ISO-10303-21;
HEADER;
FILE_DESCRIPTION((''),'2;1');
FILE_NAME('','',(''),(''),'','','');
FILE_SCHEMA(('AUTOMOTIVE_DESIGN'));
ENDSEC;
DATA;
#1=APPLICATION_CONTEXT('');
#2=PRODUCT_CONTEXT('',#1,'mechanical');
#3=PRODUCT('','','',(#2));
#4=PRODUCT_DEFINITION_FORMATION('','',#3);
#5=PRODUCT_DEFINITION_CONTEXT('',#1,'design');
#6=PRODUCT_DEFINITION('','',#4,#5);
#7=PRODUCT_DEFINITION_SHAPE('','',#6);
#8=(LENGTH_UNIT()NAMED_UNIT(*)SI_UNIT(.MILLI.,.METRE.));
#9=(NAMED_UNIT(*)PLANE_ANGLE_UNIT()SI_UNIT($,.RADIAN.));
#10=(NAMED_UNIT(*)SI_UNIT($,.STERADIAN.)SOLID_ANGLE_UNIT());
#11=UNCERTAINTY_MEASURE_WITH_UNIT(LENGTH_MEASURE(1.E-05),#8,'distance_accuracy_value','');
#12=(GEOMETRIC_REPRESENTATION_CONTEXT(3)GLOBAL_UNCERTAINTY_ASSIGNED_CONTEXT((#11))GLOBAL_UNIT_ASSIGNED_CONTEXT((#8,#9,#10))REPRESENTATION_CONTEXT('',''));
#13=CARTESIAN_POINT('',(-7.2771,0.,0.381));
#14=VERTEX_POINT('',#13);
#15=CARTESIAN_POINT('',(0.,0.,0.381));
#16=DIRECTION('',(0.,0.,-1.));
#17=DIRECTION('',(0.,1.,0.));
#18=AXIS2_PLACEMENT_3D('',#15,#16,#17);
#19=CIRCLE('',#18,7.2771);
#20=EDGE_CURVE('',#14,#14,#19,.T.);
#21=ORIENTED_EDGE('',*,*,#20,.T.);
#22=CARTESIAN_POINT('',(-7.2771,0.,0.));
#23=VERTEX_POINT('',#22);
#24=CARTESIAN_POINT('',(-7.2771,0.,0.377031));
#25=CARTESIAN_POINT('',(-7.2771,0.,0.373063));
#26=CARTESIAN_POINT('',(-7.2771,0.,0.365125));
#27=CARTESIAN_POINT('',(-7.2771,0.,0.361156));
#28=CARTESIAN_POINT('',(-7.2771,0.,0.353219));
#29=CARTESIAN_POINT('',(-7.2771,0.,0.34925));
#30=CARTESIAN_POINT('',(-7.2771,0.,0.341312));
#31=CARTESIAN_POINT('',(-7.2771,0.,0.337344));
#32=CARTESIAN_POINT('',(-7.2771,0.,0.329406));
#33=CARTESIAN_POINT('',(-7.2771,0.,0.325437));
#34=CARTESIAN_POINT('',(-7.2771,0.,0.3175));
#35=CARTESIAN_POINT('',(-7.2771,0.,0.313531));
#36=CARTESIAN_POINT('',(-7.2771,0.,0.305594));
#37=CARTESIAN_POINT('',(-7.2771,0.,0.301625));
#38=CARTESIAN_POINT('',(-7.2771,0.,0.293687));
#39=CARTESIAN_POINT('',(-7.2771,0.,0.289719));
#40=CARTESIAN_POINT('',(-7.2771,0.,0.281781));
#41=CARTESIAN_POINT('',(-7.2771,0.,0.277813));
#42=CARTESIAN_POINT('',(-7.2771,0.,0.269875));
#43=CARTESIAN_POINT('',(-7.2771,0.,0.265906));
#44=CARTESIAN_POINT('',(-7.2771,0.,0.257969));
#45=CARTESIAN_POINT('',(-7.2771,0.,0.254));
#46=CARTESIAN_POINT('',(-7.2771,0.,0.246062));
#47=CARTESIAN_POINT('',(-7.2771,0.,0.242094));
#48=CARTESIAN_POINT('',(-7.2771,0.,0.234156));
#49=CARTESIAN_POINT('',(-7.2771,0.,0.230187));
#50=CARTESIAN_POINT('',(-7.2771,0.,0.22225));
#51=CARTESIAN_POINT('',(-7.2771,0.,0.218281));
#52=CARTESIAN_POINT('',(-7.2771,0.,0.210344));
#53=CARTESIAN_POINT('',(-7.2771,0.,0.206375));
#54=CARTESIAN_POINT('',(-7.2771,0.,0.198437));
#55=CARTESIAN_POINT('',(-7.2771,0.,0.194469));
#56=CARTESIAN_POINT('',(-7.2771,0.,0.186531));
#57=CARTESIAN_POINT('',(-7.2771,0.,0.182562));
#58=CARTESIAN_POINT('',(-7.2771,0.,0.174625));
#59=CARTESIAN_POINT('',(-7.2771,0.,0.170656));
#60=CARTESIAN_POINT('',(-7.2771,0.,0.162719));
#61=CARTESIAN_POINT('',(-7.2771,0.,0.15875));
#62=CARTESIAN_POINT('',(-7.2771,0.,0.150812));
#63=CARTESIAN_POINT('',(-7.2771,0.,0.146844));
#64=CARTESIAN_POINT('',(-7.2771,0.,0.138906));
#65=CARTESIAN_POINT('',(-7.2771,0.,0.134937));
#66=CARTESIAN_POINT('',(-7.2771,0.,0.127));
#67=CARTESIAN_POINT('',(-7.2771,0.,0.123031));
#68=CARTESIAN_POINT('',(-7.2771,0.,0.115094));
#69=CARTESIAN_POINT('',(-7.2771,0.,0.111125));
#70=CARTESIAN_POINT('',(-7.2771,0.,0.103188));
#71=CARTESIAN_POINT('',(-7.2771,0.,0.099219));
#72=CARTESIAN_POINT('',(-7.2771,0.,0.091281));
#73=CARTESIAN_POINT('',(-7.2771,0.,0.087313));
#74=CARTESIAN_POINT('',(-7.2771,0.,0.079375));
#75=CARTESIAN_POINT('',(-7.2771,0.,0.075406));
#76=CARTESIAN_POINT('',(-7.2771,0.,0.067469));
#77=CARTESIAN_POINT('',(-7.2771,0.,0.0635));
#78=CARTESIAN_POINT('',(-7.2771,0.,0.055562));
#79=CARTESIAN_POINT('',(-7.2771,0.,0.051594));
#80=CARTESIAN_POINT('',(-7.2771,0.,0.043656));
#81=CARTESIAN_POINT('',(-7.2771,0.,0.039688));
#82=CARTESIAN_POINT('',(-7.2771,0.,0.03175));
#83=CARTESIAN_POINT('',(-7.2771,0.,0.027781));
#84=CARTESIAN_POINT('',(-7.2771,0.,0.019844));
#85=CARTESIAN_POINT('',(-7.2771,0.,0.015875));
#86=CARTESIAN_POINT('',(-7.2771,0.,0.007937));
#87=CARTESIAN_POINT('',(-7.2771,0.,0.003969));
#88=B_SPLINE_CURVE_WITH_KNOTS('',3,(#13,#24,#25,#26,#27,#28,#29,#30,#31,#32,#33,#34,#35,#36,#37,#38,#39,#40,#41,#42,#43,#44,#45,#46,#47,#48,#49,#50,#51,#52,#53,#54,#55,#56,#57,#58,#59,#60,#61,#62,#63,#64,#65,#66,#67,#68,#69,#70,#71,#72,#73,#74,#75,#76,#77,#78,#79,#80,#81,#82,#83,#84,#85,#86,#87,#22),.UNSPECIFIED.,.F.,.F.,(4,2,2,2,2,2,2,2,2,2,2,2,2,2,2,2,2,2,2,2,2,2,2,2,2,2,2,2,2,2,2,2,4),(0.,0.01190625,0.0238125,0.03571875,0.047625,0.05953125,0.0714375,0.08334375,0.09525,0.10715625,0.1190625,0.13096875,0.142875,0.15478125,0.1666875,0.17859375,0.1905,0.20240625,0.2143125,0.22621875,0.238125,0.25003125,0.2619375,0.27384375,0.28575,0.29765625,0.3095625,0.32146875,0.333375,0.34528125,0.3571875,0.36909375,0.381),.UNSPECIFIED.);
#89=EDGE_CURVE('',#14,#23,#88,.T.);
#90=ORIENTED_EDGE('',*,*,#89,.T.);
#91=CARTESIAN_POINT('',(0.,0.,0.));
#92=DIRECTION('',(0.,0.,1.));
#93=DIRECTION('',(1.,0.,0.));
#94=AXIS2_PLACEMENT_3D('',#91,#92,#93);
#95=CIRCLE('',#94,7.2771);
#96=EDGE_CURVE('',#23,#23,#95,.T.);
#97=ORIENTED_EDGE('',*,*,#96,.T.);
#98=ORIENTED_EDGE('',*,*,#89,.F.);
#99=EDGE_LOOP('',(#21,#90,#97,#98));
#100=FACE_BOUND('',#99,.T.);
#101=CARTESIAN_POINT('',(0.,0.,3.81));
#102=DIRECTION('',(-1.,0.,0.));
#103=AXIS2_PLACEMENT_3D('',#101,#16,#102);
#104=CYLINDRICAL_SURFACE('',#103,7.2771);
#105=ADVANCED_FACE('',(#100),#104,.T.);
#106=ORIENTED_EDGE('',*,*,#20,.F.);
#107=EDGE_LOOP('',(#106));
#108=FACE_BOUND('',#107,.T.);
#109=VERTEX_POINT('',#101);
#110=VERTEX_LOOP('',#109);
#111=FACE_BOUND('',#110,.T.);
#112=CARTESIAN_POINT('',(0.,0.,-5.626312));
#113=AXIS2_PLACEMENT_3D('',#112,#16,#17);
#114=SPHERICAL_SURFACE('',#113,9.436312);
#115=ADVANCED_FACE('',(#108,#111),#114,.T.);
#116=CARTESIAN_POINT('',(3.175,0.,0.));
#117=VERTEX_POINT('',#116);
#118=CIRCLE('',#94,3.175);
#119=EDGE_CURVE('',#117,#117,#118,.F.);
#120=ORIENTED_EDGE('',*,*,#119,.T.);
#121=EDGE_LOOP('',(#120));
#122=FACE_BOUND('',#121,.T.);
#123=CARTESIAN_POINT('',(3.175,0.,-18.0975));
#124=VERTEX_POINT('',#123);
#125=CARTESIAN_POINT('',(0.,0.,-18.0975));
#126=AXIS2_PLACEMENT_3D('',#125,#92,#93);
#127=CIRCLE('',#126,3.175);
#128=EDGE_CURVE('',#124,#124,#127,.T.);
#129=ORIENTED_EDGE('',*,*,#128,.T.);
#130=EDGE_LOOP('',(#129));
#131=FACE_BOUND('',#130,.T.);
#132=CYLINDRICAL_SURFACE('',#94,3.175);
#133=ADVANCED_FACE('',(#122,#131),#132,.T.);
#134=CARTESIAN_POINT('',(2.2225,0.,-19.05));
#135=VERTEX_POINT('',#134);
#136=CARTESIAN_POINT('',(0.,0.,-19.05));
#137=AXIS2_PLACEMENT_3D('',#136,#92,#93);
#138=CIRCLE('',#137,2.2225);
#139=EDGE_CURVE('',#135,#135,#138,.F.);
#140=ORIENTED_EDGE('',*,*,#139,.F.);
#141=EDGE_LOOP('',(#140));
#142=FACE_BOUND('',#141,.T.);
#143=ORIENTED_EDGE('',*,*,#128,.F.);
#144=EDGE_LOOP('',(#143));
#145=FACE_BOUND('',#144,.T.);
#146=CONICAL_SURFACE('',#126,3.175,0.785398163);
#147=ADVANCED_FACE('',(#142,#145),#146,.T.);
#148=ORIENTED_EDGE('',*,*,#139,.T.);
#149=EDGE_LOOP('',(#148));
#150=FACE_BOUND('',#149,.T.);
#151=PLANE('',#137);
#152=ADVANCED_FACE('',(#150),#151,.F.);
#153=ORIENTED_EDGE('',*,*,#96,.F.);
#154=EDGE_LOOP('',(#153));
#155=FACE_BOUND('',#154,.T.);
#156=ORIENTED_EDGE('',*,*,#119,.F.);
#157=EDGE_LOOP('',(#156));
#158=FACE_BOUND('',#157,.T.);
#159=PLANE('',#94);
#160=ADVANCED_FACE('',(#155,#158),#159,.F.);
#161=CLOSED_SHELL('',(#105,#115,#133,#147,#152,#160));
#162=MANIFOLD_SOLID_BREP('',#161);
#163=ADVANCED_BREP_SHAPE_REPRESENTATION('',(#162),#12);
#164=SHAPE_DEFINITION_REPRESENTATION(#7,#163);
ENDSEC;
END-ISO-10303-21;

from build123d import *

# Parameters (mm, degrees)
SKETCH1_R            = 7.2771
EXTRUDE3_DEPTH       = 3.81
SKETCH4_W            = 19.05
SKETCH4_H            = 3.175
CHAMFER2_SIZE        = 0.9525
EXTRUDE13_REACH      = 23.652
EXTRUDE13_END_RADIUS = 9.436311667
SKETCH26_R           = 0.5461


with BuildPart() as part:
    # Sketch1 → Extrude3 (new body)
    with BuildSketch(Plane.XY):
        Circle(SKETCH1_R)
    extrude(amount=EXTRUDE3_DEPTH)

    # Sketch11 → Cut-Revolve3 (revolve, cut)
    with BuildSketch(Plane(origin=(0, 0, 0), x_dir=(0, 0, -1), z_dir=(1, 0, 0))):
        with BuildLine():
            Line((-4.064, 8.73252), (0, 8.73252))
            Line((0, 8.73252), (0, 7.2771))
            Line((0, 7.2771), (-0.381, 7.2771))
            ThreePointArc((-0.381, 7.2771), (-2.909812836, 4.022257619), (-3.81, 0))
            Line((-3.81, 0), (-4.064, 0))
            Line((-4.064, 0), (-4.064, 8.73252))
        make_face()
    revolve(axis=Axis((0, 0, 0), (0, 0, 1)), mode=Mode.SUBTRACT)



with BuildPart() as body_2:
    # Sketch4 → Revolve1 (revolve)
    with BuildSketch(Plane(origin=(0, 0, 0), x_dir=(0, 0, -1), z_dir=(1, 0, 0))):
        with Locations((9.525, 1.5875)):
            Rectangle(SKETCH4_W, SKETCH4_H)
    revolve(axis=Axis((0, 0, 0), (0, 0, -1)))

    # Chamfer2
    chamfer2_edges = [body_2.edges().sort_by_distance(p)[0] for p in [
        (0, -3.175, -19.05),
    ]]
    chamfer(chamfer2_edges, length=CHAMFER2_SIZE)


with BuildPart() as part_1:
    add(part.part)

    add(body_2.part)  # Extrude13 merges body 2
    # Extrude13: up to this sphere (the profile starts inside it)
    extrude13_end = Location((0, 0, -5.626311667)) * Sphere(EXTRUDE13_END_RADIUS, mode=Mode.PRIVATE)
    # Sketch26 → Extrude13 (add, up to the surface)
    with BuildSketch(Plane.XY, mode=Mode.PRIVATE) as extrude13_sk1:
        Circle(SKETCH26_R)
    extrude13_tool1 = extrude(extrude13_sk1.sketch, amount=EXTRUDE13_REACH, mode=Mode.PRIVATE) & extrude13_end
    add(extrude13_tool1.solids().sort_by_distance((0, 0, 0))[0])


solid = part_1.part
